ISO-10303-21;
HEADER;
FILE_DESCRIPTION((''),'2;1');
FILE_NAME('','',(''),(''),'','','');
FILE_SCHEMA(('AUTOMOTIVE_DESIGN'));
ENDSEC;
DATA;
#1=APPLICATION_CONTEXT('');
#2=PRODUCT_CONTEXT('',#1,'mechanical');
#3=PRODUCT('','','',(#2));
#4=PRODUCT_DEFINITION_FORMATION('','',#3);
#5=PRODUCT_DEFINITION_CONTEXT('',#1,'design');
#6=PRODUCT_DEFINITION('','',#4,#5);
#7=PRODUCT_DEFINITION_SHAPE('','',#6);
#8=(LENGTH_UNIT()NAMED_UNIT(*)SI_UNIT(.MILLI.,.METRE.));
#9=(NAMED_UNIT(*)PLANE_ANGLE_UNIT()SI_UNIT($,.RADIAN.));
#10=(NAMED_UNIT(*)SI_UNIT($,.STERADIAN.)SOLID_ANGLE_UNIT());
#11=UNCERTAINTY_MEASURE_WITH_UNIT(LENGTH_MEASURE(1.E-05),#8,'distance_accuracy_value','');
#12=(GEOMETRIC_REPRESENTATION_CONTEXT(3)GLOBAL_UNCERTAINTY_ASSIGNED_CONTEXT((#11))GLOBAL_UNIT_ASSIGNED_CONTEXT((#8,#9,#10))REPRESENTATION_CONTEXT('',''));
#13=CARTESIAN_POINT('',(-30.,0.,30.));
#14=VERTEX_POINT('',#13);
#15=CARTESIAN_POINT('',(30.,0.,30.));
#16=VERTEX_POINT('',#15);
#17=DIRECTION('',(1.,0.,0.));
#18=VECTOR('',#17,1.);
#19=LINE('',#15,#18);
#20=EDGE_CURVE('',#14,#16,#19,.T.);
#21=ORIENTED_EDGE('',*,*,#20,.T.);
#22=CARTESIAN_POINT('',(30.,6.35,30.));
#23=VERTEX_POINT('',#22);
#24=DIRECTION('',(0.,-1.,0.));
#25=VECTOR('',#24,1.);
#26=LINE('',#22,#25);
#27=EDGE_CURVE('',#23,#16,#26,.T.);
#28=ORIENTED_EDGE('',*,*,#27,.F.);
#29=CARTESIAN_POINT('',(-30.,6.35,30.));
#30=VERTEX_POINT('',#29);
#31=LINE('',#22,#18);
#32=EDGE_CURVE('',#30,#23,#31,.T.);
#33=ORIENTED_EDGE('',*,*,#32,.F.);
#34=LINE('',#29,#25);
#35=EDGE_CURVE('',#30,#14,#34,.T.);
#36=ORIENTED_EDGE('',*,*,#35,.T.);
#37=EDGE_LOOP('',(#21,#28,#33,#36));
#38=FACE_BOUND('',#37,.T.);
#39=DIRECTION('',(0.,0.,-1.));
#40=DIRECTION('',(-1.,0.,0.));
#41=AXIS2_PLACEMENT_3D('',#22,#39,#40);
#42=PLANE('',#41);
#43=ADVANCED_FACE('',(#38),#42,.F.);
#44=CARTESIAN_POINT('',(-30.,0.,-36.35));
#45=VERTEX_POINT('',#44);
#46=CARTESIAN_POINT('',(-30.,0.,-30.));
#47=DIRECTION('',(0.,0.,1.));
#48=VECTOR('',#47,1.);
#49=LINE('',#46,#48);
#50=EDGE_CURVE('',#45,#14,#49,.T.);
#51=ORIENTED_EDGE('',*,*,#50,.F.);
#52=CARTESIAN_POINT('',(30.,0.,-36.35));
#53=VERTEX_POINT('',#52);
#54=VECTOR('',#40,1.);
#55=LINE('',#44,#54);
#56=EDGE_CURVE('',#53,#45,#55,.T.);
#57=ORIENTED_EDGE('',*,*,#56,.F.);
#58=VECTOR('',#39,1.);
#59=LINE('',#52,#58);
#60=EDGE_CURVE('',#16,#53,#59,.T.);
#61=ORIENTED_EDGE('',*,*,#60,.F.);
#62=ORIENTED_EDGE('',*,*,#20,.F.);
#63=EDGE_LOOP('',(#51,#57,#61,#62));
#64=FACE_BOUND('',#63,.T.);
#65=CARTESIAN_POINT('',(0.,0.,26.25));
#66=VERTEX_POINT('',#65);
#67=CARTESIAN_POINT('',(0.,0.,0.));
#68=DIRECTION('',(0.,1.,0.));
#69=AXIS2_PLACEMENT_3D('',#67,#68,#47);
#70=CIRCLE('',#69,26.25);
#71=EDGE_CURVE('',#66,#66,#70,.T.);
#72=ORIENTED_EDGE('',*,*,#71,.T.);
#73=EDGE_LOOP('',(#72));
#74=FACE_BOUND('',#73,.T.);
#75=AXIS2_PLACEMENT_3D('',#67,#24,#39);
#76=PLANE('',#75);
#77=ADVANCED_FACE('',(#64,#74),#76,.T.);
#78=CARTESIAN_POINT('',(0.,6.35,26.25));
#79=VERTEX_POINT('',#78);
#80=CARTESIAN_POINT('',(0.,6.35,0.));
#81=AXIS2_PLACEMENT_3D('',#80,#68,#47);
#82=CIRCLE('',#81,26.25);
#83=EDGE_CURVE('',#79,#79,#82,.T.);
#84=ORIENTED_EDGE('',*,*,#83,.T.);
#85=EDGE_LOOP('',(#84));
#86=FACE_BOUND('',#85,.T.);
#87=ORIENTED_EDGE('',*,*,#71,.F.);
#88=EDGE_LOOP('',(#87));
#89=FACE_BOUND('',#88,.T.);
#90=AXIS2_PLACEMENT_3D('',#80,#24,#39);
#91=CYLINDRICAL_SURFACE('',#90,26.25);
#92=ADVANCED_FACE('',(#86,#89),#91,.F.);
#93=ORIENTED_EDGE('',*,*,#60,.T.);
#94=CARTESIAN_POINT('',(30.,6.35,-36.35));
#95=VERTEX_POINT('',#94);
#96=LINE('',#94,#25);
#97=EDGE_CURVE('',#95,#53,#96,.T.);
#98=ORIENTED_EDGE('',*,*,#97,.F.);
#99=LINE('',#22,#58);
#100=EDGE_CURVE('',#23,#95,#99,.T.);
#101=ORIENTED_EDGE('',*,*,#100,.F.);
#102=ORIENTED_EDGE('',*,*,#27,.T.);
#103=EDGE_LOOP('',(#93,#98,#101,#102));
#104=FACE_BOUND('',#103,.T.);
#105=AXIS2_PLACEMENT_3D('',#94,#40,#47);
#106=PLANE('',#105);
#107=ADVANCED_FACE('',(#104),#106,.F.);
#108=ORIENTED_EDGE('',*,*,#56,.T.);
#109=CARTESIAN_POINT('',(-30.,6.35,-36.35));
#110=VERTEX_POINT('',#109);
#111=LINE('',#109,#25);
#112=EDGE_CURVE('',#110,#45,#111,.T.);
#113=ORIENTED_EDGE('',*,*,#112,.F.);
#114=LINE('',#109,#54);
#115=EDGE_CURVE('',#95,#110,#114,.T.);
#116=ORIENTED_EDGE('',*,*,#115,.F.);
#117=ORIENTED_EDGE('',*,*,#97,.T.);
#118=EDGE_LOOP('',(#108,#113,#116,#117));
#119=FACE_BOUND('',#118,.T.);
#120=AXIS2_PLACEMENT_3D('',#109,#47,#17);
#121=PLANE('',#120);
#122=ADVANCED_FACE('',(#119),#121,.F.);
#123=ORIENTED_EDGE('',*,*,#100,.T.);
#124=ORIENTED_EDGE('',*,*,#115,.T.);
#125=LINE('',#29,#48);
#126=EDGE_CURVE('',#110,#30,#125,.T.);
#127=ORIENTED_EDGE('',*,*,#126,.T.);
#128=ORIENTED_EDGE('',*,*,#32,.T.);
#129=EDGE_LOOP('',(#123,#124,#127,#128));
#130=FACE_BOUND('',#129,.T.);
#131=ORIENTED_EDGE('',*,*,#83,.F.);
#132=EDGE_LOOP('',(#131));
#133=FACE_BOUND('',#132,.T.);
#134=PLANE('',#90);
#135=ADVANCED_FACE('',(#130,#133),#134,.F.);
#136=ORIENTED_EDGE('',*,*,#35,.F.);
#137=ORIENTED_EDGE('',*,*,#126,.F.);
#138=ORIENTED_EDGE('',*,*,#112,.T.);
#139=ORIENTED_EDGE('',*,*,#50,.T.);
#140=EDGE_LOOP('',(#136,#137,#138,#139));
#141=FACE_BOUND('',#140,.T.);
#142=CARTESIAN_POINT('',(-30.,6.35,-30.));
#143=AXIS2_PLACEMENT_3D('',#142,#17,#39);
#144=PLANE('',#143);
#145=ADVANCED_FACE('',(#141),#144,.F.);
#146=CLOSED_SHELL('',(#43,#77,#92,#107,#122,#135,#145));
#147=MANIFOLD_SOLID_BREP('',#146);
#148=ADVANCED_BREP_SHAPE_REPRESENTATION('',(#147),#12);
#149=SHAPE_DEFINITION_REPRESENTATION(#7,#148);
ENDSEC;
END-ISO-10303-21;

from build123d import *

# Parameters (mm, degrees)
SKETCH1_R           = 26.25
BOSS_EXTRUDE2_DEPTH = 6.35


with BuildPart() as part:
    # Sketch1 → Boss-Extrude2 (new body)
    with BuildSketch(Plane(origin=(0, 0, 0), x_dir=(1, 0, 0), z_dir=(0, 1, 0))):
        Polygon((-30, 30), (-30, 36.35), (30, 36.35), (30, 30), (30, -30), (-30, -30), align=None)
        Circle(SKETCH1_R, mode=Mode.SUBTRACT)
    extrude(amount=BOSS_EXTRUDE2_DEPTH)


solid = part.part
